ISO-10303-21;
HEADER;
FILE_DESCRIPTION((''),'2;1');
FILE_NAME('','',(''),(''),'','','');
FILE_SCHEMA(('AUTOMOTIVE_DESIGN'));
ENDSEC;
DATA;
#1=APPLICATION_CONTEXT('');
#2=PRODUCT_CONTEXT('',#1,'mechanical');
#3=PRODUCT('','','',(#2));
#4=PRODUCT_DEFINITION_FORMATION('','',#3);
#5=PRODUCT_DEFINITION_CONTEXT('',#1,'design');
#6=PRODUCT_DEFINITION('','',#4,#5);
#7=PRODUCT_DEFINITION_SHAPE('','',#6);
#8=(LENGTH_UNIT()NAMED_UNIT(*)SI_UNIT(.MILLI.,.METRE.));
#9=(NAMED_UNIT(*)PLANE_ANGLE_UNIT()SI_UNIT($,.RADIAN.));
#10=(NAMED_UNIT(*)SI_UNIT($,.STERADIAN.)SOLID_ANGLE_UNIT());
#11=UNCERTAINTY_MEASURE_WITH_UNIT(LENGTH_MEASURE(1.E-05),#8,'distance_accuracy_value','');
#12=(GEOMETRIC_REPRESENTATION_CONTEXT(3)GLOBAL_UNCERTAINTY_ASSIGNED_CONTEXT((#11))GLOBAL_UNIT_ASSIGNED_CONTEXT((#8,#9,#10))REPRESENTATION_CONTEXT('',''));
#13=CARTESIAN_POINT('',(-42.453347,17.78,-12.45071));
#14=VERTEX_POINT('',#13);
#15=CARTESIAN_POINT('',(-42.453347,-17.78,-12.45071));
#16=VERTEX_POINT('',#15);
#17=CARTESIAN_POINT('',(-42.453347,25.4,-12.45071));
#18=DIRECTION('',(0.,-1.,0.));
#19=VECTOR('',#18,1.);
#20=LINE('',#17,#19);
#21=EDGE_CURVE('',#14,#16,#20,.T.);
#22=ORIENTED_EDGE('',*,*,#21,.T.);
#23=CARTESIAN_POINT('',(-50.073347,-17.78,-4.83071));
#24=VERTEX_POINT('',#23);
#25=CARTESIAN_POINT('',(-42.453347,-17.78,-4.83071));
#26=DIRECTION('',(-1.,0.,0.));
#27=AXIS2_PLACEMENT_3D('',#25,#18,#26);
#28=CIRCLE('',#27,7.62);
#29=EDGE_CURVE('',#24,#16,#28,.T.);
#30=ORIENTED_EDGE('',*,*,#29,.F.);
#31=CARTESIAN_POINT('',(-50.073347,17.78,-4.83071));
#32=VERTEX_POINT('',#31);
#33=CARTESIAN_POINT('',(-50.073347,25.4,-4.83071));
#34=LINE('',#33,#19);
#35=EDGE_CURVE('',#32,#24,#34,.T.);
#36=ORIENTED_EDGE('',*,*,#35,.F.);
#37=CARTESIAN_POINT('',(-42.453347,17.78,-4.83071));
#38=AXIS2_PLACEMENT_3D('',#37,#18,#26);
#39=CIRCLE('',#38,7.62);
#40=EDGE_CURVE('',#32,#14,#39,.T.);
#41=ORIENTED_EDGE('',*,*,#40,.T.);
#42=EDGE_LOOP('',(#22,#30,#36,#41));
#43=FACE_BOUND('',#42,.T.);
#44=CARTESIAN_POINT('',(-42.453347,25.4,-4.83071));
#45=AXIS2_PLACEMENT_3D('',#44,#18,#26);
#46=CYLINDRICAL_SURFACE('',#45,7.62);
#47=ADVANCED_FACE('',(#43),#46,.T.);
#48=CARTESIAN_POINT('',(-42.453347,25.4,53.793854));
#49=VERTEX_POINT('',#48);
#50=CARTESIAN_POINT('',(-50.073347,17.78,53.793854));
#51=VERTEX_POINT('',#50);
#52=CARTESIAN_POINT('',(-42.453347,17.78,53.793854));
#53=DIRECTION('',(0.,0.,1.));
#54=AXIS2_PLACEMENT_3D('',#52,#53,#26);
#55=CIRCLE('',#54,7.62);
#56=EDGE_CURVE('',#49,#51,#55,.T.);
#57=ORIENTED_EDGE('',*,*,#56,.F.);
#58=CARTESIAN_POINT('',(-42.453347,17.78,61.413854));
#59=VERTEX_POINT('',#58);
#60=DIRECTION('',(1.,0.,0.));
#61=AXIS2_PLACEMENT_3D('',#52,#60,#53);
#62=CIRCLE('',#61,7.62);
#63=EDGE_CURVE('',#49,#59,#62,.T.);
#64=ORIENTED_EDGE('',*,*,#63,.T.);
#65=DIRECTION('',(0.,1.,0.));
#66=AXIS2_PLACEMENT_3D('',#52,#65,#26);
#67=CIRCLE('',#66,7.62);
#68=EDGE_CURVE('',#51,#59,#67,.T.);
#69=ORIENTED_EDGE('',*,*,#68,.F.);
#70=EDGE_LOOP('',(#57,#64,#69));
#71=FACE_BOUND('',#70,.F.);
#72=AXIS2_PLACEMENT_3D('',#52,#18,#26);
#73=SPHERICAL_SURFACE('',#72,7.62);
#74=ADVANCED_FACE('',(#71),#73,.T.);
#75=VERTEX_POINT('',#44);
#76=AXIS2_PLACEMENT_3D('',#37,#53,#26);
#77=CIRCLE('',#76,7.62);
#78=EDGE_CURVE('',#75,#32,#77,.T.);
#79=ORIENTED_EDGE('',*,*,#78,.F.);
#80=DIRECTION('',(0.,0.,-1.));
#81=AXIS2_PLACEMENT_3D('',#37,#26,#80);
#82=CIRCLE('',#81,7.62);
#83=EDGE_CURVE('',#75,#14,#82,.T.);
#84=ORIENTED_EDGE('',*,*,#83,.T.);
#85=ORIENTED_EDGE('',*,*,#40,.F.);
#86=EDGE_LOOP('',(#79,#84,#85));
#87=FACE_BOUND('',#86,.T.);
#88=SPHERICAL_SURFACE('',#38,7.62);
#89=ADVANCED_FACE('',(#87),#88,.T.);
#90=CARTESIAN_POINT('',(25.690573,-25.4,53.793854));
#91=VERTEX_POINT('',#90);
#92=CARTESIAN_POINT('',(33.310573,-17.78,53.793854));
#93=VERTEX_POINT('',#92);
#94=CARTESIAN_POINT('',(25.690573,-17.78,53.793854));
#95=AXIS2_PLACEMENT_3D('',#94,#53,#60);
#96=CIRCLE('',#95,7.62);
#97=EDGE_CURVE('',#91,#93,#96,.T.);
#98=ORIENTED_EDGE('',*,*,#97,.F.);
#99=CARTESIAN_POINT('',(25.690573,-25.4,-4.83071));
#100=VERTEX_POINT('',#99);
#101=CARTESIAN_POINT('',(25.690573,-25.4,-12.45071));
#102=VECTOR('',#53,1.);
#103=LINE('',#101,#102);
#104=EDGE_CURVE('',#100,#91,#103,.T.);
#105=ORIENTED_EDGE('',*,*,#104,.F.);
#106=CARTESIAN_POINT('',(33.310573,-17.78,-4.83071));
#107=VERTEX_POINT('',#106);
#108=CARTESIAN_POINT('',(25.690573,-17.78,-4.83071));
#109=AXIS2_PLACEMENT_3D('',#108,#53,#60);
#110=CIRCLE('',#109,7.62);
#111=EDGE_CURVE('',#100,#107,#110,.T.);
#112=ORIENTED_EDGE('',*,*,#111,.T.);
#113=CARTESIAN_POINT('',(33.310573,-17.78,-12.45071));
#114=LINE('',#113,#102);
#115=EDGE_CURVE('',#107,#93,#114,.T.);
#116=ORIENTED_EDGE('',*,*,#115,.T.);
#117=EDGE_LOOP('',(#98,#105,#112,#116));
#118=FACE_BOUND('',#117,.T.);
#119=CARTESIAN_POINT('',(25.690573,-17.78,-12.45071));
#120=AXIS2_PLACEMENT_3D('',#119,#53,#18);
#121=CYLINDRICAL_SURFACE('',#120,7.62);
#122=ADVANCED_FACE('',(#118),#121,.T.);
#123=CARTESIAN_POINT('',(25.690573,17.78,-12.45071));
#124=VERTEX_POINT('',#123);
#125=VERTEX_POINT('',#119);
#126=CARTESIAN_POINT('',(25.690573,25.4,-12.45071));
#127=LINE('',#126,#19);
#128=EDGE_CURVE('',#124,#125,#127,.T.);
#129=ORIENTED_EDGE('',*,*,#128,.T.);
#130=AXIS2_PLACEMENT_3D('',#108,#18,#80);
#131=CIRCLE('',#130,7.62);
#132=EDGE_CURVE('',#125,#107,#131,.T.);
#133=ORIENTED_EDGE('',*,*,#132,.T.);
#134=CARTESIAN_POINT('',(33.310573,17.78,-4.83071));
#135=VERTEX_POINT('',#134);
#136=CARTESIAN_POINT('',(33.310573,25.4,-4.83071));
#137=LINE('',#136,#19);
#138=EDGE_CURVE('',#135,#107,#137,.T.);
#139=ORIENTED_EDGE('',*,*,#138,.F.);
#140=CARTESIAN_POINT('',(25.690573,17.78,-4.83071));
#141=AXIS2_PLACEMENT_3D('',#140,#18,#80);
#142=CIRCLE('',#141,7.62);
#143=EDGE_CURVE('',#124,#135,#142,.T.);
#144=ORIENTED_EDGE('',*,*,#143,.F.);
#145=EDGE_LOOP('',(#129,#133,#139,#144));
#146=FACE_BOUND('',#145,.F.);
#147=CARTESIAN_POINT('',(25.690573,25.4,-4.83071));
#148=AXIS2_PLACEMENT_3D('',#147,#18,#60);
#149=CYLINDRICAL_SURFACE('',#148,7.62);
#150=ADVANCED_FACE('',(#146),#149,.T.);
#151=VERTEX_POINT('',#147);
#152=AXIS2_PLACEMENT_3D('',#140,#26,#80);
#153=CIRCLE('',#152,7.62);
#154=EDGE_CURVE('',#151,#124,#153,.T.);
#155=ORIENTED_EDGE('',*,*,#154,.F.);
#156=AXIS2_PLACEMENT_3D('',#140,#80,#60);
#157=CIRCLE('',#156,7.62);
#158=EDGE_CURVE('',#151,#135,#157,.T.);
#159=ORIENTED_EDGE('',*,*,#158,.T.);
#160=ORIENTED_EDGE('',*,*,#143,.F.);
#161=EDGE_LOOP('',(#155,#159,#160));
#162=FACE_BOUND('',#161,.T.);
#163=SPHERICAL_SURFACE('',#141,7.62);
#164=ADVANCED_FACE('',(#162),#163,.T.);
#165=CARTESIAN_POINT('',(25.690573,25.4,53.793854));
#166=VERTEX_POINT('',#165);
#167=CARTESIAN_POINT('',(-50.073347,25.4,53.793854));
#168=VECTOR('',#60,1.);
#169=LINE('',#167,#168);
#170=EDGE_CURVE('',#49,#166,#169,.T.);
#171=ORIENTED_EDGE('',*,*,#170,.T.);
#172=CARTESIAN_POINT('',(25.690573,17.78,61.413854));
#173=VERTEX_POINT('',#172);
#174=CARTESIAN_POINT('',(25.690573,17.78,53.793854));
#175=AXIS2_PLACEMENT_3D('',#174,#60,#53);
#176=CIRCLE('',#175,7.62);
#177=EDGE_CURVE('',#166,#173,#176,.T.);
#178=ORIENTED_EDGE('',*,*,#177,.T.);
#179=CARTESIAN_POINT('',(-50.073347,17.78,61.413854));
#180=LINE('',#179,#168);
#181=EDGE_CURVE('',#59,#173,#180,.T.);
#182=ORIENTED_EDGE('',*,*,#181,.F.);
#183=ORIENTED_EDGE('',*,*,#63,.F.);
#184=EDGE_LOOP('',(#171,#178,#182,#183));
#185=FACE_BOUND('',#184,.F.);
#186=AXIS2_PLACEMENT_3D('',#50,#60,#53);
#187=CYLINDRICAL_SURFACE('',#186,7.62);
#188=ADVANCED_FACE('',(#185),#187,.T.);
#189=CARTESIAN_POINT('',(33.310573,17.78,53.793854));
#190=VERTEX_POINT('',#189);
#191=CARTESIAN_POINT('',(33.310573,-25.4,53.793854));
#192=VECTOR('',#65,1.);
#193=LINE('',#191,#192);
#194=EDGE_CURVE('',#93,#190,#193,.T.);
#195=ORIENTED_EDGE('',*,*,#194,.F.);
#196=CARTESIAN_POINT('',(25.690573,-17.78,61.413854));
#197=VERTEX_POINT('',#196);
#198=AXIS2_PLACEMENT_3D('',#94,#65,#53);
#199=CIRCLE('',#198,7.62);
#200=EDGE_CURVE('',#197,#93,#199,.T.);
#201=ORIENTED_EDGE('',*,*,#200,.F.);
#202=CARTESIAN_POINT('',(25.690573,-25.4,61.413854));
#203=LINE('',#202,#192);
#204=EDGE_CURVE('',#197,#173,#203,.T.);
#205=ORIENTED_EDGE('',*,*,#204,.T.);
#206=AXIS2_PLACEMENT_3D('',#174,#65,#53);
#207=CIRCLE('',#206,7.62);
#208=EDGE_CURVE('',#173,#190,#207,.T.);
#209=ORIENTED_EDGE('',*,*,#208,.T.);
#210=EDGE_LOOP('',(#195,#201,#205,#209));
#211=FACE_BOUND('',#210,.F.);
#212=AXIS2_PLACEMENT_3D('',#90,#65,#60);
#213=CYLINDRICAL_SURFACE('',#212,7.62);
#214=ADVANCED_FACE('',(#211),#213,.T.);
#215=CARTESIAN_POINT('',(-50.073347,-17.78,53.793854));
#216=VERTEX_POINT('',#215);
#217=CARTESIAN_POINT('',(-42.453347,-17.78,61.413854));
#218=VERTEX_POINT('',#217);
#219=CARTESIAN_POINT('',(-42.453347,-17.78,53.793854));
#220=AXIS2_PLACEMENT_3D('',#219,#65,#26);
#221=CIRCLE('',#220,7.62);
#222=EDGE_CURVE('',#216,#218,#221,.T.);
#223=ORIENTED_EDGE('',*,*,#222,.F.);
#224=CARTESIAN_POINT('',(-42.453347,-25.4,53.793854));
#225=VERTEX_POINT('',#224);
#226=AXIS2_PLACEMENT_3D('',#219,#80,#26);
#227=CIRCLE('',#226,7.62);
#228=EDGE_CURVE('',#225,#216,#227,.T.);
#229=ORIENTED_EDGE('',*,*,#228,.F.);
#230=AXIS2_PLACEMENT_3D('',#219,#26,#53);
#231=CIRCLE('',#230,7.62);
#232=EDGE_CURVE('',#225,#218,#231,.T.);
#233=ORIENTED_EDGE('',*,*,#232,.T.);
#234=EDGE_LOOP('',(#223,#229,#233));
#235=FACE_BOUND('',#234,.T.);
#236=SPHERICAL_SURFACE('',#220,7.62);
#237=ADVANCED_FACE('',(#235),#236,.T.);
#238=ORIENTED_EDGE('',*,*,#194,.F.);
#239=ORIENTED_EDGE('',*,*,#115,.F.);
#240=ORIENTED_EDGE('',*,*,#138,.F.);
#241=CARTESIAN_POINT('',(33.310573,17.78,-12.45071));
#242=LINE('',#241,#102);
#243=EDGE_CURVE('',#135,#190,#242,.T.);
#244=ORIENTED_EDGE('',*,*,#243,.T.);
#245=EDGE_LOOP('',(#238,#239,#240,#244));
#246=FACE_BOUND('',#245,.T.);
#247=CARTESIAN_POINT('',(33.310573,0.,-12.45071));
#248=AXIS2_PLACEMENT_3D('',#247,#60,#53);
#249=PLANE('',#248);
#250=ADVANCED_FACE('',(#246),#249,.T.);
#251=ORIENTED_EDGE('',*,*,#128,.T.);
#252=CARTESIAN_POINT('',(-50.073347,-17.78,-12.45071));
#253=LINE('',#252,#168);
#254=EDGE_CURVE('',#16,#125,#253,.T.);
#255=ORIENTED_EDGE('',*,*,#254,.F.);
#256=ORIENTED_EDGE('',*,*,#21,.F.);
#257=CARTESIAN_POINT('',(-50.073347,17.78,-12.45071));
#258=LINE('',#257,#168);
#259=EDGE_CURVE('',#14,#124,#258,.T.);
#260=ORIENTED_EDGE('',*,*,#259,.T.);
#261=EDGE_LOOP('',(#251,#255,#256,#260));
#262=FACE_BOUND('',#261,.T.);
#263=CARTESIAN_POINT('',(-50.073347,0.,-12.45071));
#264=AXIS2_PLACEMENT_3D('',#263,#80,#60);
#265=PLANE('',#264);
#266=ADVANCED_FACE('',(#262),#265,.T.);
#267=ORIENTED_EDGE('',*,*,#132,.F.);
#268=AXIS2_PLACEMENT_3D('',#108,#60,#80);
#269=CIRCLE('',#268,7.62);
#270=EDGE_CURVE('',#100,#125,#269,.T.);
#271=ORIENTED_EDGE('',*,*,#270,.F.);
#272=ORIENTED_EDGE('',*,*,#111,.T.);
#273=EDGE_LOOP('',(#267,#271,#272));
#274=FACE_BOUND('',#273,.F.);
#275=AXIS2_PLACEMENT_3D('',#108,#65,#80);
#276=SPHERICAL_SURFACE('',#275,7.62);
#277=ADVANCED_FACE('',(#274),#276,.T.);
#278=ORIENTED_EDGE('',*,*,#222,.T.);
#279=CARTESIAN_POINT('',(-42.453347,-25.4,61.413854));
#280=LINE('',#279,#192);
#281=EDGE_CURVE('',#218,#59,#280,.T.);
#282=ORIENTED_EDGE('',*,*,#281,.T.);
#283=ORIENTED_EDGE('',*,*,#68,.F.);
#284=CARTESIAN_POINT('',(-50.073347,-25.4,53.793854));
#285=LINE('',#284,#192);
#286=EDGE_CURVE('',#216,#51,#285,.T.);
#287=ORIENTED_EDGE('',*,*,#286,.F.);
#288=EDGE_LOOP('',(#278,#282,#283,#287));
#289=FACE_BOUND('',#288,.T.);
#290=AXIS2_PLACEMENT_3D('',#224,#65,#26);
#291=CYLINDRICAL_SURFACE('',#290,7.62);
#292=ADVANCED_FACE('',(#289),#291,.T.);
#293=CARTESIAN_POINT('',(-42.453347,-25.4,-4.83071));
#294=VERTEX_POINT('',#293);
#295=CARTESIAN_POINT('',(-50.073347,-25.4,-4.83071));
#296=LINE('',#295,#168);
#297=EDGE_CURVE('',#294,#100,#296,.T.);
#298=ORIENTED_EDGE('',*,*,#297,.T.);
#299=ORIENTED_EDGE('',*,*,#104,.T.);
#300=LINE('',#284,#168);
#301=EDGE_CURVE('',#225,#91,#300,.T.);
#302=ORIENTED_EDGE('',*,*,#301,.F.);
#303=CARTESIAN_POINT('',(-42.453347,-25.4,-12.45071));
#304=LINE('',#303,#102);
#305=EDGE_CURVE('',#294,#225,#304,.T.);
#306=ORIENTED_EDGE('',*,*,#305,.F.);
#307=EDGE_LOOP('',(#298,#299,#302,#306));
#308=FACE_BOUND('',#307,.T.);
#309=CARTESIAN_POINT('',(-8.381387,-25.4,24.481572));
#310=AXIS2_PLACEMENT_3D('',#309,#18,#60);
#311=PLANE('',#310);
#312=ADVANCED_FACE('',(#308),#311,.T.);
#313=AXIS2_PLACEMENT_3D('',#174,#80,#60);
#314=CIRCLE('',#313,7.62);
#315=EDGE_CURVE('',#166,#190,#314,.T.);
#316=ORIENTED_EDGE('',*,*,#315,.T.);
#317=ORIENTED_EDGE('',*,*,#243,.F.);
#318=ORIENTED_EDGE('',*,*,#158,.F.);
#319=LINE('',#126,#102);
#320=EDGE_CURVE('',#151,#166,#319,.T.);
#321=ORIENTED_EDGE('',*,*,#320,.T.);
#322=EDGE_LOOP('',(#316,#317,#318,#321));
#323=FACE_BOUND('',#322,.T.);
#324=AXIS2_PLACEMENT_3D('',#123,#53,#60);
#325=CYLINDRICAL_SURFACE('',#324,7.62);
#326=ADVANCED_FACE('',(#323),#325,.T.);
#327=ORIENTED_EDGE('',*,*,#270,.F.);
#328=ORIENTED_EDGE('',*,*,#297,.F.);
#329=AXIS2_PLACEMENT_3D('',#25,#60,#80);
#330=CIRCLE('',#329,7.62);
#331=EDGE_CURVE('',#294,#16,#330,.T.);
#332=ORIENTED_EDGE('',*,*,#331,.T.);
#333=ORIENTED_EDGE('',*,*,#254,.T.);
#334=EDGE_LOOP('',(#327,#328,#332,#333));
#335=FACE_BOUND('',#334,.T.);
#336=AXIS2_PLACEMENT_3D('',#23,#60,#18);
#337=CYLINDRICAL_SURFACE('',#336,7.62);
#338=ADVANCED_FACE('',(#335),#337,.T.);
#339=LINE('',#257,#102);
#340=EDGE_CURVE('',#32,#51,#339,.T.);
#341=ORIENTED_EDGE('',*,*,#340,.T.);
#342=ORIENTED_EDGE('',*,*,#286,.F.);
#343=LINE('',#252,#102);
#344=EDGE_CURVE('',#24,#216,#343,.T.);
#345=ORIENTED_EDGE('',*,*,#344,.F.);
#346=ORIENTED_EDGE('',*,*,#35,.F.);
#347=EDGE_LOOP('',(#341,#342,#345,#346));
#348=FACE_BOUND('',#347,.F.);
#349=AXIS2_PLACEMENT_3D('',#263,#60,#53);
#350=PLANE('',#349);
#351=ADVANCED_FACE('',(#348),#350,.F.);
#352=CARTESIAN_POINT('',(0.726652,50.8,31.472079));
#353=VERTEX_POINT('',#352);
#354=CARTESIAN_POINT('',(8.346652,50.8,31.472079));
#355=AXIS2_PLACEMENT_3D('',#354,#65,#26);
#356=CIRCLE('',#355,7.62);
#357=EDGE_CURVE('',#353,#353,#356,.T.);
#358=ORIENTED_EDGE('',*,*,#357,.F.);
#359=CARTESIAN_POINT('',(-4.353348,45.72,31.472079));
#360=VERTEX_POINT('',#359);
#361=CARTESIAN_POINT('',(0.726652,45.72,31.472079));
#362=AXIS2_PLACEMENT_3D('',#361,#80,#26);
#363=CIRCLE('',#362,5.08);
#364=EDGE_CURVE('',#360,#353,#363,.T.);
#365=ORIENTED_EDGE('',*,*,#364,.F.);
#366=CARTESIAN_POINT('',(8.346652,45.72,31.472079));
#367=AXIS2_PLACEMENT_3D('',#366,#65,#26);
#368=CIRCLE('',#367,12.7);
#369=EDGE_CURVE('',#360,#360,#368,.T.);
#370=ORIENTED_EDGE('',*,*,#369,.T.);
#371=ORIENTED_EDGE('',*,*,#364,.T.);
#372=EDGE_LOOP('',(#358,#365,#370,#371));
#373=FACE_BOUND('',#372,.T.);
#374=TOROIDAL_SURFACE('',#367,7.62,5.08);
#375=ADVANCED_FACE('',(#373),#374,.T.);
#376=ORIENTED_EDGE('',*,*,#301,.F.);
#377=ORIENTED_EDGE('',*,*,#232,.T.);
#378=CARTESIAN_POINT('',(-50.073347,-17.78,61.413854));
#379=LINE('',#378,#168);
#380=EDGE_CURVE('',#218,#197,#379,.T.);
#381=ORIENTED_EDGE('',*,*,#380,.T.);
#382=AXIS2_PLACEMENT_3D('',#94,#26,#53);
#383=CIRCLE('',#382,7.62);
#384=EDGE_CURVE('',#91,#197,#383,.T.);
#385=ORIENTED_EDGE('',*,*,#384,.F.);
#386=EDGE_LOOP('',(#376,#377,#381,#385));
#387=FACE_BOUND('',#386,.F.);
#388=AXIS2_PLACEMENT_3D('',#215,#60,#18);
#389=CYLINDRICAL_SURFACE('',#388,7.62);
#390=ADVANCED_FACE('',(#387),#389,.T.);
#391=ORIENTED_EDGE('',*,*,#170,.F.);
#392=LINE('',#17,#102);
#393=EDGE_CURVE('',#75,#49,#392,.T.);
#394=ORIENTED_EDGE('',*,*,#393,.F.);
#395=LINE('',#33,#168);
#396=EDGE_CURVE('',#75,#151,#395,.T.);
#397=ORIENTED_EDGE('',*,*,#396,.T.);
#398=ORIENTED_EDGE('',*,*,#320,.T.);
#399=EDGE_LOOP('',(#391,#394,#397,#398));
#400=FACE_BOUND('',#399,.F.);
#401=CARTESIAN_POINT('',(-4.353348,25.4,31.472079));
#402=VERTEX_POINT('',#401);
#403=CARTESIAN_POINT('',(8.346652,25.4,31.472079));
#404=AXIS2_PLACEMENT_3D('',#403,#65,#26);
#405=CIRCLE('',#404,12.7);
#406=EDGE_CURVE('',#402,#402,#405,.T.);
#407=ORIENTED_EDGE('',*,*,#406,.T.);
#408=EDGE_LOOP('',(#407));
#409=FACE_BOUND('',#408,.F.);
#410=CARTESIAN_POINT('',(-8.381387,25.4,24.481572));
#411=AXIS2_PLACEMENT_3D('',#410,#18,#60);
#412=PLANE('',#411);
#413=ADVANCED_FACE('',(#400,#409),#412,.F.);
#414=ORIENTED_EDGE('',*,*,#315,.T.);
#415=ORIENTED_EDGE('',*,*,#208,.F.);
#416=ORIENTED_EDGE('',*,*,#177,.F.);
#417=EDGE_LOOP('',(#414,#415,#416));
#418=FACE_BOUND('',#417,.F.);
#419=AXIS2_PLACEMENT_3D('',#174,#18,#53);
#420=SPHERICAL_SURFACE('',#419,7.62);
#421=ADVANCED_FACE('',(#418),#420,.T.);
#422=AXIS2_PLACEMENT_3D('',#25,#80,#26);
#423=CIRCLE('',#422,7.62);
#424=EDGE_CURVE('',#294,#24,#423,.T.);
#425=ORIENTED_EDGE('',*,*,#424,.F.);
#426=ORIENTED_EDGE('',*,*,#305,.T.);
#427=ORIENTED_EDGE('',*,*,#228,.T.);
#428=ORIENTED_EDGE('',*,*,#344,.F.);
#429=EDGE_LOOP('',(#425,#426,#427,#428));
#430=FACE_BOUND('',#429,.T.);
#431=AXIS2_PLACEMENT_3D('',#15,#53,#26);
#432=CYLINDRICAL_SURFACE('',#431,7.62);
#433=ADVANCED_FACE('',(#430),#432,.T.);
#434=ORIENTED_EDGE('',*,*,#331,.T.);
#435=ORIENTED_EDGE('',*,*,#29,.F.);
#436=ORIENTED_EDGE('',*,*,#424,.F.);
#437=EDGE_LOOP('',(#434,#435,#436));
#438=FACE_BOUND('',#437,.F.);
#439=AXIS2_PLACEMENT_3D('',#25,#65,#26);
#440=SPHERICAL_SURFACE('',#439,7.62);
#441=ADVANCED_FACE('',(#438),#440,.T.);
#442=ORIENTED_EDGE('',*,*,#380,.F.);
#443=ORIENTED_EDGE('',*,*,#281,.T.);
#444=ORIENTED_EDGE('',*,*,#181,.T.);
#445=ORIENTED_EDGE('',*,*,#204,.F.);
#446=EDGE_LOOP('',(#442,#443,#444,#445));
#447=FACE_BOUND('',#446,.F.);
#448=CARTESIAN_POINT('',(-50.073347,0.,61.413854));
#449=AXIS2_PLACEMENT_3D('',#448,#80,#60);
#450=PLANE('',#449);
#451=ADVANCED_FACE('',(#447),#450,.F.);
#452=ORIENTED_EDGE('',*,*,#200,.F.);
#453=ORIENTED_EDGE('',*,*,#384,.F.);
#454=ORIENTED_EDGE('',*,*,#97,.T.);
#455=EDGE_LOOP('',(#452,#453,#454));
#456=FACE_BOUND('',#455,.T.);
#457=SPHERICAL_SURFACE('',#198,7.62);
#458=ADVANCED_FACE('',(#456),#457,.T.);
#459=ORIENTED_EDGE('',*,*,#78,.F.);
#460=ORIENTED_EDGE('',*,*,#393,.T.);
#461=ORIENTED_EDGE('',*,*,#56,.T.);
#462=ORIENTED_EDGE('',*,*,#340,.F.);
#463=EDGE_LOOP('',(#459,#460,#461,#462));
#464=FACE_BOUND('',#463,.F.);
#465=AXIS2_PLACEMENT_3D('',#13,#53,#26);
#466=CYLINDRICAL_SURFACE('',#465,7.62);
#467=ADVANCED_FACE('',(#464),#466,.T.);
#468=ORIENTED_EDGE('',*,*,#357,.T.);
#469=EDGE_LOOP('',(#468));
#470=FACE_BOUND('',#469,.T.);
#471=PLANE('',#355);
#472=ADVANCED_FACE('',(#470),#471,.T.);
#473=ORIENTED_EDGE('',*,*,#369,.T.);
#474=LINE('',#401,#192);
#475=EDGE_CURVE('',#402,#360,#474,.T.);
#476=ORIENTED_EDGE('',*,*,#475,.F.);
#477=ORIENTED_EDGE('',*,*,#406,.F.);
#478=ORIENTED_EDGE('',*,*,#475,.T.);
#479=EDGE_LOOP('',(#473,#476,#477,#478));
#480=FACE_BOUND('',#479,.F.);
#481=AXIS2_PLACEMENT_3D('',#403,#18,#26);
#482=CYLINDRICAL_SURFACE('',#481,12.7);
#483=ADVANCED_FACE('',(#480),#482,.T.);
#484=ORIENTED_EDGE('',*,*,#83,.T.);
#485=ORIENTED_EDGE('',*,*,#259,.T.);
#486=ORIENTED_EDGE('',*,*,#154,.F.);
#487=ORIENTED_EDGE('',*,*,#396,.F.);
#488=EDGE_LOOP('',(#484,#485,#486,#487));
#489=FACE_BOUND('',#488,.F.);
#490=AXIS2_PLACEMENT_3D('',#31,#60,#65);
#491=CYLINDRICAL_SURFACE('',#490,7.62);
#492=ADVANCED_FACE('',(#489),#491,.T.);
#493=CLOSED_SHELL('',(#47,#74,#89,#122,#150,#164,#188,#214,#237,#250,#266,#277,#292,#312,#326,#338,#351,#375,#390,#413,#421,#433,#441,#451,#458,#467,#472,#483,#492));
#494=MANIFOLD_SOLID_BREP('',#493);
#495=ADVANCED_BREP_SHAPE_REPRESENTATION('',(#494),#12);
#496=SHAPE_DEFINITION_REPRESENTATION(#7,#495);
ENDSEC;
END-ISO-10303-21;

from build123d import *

# Parameters (mm, degrees)
F0_W     = 83.383921
F0_H     = 73.864564
F1_DEPTH = 25.4
F2_R     = 7.62
F3_R     = 12.7
F4_DEPTH = 25.4
F5_R     = 5.08


with BuildPart() as f1:
    # F0 (on Front) → F1 (new body, symmetric)
    with BuildSketch(Plane.XZ):
        with Locations((-8.381387, 24.481572)):
            Rectangle(F0_W, F0_H)
    extrude(amount=F1_DEPTH, both=True)

    # F2
    f2_edges = [f1.edges().sort_by_distance(p)[0] for p in [
        (-50.073348, 0, -12.45071),
        (33.310573, 0, -12.45071),
        (33.310573, 0, 61.413854),
        (-50.073348, 0, 61.413854),
        (-50.073348, 25.4, 24.481572),
        (-50.073348, -25.4, 24.481572),
        (-8.381388, 25.4, 61.413854),
        (-8.381388, 25.4, -12.45071),
        (33.310573, 25.4, 24.481572),
        (-8.381388, -25.4, 61.413854),
        (-8.381388, -25.4, -12.45071),
        (33.310573, -25.4, 24.481572),
    ]]
    fillet(f2_edges, radius=F2_R)

    # F3 (on face) → F4 (join)
    with BuildSketch(Plane(origin=(0, 25.4, 0), x_dir=(-1, 0, 0), z_dir=(0, 1, 0))):
        with Locations((-8.346652, 31.472079)):
            Circle(F3_R)
    extrude(amount=F4_DEPTH)

    # F5
    f5_edges = [f1.edges().sort_by_distance(p)[0] for p in [
        (21.046652, 50.8, 31.472079),
    ]]
    fillet(f5_edges, radius=F5_R)


solid = f1.part
